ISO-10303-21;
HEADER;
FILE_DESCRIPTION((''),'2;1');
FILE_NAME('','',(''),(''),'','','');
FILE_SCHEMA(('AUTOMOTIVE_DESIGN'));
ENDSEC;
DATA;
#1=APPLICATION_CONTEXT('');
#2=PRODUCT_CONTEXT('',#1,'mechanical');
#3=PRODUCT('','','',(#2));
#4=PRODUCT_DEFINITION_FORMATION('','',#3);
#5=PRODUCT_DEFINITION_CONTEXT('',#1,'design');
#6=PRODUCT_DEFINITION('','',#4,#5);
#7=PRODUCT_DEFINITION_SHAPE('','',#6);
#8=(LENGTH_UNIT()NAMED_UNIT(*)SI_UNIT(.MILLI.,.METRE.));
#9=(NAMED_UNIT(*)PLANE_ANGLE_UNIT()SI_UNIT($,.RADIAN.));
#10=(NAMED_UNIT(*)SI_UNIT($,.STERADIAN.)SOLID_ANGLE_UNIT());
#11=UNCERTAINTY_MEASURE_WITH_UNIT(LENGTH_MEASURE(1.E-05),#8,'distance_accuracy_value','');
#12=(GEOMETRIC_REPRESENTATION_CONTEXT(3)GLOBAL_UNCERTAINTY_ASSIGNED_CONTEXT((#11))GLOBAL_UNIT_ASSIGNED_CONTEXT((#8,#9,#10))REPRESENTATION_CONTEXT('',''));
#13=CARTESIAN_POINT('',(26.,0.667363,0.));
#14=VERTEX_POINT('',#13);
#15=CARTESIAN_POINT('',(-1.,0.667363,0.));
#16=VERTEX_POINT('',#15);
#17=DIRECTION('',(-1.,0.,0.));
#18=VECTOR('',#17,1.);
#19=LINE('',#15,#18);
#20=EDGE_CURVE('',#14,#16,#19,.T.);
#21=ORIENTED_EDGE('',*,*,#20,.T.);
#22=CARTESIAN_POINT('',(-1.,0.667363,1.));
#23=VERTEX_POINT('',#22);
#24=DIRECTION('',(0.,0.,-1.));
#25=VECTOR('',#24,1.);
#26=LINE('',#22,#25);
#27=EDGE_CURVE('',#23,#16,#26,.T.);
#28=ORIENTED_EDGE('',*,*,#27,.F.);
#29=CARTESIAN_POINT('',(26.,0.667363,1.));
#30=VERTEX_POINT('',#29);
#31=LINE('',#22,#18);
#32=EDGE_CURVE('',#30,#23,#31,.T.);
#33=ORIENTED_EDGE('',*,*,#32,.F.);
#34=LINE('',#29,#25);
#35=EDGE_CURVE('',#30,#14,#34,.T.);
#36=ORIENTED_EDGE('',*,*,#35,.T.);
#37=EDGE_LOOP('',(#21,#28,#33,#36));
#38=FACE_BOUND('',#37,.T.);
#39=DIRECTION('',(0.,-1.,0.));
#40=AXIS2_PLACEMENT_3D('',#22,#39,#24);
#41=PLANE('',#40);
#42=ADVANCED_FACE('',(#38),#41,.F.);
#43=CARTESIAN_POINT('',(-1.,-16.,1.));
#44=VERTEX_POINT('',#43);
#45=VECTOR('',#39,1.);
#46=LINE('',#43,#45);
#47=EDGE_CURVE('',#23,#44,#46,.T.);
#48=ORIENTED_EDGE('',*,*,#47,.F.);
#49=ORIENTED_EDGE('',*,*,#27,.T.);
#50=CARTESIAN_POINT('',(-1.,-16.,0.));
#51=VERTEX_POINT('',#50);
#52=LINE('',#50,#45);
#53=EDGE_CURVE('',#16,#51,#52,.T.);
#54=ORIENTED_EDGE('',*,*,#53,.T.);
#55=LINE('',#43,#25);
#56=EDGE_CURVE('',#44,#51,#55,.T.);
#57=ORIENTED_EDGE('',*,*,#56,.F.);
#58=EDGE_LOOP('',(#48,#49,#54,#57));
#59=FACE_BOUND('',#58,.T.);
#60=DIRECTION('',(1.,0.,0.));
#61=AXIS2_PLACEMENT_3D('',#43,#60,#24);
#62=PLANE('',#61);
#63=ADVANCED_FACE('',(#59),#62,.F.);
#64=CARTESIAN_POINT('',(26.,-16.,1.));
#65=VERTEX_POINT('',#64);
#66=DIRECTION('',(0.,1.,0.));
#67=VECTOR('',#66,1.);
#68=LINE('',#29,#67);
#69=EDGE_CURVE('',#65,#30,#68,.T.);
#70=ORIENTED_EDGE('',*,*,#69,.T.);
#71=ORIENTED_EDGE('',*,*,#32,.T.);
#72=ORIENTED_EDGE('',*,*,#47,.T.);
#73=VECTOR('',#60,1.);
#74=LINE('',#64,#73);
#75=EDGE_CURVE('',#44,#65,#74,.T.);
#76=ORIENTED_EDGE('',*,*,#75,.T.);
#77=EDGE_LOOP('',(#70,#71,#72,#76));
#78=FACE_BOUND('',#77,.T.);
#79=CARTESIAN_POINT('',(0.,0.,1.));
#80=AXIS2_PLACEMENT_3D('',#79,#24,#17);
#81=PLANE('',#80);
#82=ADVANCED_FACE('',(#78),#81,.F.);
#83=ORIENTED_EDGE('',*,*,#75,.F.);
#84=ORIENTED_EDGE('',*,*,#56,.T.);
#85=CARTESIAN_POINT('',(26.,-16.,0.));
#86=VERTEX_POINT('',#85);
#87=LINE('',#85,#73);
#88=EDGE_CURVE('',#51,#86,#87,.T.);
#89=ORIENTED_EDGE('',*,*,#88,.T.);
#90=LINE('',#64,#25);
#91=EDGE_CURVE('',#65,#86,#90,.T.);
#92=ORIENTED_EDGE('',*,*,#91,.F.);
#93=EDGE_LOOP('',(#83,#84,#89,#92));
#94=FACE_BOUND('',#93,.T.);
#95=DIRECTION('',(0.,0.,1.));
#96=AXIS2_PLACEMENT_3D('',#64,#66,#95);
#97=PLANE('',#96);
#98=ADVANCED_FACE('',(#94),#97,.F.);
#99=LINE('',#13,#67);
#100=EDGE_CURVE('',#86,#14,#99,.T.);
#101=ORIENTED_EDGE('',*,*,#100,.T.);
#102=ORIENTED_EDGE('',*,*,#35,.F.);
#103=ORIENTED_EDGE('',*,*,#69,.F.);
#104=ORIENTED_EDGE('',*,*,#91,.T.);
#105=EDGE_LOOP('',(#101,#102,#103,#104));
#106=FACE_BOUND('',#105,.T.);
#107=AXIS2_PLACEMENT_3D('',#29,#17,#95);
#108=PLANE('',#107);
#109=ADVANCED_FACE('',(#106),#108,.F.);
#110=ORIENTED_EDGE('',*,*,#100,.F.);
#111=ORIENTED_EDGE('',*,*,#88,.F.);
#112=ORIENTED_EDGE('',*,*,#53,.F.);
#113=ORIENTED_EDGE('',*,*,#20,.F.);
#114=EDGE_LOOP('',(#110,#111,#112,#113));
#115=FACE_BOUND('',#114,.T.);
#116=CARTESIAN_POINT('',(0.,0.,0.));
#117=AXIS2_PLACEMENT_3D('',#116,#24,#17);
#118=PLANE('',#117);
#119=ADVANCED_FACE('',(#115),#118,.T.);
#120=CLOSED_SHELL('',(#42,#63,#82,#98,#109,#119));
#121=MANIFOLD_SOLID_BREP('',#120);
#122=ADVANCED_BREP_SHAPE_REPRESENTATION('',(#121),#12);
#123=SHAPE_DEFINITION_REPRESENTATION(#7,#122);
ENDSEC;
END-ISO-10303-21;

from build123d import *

# Parameters (mm, degrees)
ESQUISSE1_W             = 27
ESQUISSE1_H             = 16.667363
COMPONENT_OUTLINE_DEPTH = 1


with BuildPart() as part:
    # Esquisse1 → Component_Outline (new body)
    with BuildSketch(Plane.XY):
        with Locations((12.5, -7.6663185)):
            Rectangle(ESQUISSE1_W, ESQUISSE1_H)
    extrude(amount=COMPONENT_OUTLINE_DEPTH)


solid = part.part
